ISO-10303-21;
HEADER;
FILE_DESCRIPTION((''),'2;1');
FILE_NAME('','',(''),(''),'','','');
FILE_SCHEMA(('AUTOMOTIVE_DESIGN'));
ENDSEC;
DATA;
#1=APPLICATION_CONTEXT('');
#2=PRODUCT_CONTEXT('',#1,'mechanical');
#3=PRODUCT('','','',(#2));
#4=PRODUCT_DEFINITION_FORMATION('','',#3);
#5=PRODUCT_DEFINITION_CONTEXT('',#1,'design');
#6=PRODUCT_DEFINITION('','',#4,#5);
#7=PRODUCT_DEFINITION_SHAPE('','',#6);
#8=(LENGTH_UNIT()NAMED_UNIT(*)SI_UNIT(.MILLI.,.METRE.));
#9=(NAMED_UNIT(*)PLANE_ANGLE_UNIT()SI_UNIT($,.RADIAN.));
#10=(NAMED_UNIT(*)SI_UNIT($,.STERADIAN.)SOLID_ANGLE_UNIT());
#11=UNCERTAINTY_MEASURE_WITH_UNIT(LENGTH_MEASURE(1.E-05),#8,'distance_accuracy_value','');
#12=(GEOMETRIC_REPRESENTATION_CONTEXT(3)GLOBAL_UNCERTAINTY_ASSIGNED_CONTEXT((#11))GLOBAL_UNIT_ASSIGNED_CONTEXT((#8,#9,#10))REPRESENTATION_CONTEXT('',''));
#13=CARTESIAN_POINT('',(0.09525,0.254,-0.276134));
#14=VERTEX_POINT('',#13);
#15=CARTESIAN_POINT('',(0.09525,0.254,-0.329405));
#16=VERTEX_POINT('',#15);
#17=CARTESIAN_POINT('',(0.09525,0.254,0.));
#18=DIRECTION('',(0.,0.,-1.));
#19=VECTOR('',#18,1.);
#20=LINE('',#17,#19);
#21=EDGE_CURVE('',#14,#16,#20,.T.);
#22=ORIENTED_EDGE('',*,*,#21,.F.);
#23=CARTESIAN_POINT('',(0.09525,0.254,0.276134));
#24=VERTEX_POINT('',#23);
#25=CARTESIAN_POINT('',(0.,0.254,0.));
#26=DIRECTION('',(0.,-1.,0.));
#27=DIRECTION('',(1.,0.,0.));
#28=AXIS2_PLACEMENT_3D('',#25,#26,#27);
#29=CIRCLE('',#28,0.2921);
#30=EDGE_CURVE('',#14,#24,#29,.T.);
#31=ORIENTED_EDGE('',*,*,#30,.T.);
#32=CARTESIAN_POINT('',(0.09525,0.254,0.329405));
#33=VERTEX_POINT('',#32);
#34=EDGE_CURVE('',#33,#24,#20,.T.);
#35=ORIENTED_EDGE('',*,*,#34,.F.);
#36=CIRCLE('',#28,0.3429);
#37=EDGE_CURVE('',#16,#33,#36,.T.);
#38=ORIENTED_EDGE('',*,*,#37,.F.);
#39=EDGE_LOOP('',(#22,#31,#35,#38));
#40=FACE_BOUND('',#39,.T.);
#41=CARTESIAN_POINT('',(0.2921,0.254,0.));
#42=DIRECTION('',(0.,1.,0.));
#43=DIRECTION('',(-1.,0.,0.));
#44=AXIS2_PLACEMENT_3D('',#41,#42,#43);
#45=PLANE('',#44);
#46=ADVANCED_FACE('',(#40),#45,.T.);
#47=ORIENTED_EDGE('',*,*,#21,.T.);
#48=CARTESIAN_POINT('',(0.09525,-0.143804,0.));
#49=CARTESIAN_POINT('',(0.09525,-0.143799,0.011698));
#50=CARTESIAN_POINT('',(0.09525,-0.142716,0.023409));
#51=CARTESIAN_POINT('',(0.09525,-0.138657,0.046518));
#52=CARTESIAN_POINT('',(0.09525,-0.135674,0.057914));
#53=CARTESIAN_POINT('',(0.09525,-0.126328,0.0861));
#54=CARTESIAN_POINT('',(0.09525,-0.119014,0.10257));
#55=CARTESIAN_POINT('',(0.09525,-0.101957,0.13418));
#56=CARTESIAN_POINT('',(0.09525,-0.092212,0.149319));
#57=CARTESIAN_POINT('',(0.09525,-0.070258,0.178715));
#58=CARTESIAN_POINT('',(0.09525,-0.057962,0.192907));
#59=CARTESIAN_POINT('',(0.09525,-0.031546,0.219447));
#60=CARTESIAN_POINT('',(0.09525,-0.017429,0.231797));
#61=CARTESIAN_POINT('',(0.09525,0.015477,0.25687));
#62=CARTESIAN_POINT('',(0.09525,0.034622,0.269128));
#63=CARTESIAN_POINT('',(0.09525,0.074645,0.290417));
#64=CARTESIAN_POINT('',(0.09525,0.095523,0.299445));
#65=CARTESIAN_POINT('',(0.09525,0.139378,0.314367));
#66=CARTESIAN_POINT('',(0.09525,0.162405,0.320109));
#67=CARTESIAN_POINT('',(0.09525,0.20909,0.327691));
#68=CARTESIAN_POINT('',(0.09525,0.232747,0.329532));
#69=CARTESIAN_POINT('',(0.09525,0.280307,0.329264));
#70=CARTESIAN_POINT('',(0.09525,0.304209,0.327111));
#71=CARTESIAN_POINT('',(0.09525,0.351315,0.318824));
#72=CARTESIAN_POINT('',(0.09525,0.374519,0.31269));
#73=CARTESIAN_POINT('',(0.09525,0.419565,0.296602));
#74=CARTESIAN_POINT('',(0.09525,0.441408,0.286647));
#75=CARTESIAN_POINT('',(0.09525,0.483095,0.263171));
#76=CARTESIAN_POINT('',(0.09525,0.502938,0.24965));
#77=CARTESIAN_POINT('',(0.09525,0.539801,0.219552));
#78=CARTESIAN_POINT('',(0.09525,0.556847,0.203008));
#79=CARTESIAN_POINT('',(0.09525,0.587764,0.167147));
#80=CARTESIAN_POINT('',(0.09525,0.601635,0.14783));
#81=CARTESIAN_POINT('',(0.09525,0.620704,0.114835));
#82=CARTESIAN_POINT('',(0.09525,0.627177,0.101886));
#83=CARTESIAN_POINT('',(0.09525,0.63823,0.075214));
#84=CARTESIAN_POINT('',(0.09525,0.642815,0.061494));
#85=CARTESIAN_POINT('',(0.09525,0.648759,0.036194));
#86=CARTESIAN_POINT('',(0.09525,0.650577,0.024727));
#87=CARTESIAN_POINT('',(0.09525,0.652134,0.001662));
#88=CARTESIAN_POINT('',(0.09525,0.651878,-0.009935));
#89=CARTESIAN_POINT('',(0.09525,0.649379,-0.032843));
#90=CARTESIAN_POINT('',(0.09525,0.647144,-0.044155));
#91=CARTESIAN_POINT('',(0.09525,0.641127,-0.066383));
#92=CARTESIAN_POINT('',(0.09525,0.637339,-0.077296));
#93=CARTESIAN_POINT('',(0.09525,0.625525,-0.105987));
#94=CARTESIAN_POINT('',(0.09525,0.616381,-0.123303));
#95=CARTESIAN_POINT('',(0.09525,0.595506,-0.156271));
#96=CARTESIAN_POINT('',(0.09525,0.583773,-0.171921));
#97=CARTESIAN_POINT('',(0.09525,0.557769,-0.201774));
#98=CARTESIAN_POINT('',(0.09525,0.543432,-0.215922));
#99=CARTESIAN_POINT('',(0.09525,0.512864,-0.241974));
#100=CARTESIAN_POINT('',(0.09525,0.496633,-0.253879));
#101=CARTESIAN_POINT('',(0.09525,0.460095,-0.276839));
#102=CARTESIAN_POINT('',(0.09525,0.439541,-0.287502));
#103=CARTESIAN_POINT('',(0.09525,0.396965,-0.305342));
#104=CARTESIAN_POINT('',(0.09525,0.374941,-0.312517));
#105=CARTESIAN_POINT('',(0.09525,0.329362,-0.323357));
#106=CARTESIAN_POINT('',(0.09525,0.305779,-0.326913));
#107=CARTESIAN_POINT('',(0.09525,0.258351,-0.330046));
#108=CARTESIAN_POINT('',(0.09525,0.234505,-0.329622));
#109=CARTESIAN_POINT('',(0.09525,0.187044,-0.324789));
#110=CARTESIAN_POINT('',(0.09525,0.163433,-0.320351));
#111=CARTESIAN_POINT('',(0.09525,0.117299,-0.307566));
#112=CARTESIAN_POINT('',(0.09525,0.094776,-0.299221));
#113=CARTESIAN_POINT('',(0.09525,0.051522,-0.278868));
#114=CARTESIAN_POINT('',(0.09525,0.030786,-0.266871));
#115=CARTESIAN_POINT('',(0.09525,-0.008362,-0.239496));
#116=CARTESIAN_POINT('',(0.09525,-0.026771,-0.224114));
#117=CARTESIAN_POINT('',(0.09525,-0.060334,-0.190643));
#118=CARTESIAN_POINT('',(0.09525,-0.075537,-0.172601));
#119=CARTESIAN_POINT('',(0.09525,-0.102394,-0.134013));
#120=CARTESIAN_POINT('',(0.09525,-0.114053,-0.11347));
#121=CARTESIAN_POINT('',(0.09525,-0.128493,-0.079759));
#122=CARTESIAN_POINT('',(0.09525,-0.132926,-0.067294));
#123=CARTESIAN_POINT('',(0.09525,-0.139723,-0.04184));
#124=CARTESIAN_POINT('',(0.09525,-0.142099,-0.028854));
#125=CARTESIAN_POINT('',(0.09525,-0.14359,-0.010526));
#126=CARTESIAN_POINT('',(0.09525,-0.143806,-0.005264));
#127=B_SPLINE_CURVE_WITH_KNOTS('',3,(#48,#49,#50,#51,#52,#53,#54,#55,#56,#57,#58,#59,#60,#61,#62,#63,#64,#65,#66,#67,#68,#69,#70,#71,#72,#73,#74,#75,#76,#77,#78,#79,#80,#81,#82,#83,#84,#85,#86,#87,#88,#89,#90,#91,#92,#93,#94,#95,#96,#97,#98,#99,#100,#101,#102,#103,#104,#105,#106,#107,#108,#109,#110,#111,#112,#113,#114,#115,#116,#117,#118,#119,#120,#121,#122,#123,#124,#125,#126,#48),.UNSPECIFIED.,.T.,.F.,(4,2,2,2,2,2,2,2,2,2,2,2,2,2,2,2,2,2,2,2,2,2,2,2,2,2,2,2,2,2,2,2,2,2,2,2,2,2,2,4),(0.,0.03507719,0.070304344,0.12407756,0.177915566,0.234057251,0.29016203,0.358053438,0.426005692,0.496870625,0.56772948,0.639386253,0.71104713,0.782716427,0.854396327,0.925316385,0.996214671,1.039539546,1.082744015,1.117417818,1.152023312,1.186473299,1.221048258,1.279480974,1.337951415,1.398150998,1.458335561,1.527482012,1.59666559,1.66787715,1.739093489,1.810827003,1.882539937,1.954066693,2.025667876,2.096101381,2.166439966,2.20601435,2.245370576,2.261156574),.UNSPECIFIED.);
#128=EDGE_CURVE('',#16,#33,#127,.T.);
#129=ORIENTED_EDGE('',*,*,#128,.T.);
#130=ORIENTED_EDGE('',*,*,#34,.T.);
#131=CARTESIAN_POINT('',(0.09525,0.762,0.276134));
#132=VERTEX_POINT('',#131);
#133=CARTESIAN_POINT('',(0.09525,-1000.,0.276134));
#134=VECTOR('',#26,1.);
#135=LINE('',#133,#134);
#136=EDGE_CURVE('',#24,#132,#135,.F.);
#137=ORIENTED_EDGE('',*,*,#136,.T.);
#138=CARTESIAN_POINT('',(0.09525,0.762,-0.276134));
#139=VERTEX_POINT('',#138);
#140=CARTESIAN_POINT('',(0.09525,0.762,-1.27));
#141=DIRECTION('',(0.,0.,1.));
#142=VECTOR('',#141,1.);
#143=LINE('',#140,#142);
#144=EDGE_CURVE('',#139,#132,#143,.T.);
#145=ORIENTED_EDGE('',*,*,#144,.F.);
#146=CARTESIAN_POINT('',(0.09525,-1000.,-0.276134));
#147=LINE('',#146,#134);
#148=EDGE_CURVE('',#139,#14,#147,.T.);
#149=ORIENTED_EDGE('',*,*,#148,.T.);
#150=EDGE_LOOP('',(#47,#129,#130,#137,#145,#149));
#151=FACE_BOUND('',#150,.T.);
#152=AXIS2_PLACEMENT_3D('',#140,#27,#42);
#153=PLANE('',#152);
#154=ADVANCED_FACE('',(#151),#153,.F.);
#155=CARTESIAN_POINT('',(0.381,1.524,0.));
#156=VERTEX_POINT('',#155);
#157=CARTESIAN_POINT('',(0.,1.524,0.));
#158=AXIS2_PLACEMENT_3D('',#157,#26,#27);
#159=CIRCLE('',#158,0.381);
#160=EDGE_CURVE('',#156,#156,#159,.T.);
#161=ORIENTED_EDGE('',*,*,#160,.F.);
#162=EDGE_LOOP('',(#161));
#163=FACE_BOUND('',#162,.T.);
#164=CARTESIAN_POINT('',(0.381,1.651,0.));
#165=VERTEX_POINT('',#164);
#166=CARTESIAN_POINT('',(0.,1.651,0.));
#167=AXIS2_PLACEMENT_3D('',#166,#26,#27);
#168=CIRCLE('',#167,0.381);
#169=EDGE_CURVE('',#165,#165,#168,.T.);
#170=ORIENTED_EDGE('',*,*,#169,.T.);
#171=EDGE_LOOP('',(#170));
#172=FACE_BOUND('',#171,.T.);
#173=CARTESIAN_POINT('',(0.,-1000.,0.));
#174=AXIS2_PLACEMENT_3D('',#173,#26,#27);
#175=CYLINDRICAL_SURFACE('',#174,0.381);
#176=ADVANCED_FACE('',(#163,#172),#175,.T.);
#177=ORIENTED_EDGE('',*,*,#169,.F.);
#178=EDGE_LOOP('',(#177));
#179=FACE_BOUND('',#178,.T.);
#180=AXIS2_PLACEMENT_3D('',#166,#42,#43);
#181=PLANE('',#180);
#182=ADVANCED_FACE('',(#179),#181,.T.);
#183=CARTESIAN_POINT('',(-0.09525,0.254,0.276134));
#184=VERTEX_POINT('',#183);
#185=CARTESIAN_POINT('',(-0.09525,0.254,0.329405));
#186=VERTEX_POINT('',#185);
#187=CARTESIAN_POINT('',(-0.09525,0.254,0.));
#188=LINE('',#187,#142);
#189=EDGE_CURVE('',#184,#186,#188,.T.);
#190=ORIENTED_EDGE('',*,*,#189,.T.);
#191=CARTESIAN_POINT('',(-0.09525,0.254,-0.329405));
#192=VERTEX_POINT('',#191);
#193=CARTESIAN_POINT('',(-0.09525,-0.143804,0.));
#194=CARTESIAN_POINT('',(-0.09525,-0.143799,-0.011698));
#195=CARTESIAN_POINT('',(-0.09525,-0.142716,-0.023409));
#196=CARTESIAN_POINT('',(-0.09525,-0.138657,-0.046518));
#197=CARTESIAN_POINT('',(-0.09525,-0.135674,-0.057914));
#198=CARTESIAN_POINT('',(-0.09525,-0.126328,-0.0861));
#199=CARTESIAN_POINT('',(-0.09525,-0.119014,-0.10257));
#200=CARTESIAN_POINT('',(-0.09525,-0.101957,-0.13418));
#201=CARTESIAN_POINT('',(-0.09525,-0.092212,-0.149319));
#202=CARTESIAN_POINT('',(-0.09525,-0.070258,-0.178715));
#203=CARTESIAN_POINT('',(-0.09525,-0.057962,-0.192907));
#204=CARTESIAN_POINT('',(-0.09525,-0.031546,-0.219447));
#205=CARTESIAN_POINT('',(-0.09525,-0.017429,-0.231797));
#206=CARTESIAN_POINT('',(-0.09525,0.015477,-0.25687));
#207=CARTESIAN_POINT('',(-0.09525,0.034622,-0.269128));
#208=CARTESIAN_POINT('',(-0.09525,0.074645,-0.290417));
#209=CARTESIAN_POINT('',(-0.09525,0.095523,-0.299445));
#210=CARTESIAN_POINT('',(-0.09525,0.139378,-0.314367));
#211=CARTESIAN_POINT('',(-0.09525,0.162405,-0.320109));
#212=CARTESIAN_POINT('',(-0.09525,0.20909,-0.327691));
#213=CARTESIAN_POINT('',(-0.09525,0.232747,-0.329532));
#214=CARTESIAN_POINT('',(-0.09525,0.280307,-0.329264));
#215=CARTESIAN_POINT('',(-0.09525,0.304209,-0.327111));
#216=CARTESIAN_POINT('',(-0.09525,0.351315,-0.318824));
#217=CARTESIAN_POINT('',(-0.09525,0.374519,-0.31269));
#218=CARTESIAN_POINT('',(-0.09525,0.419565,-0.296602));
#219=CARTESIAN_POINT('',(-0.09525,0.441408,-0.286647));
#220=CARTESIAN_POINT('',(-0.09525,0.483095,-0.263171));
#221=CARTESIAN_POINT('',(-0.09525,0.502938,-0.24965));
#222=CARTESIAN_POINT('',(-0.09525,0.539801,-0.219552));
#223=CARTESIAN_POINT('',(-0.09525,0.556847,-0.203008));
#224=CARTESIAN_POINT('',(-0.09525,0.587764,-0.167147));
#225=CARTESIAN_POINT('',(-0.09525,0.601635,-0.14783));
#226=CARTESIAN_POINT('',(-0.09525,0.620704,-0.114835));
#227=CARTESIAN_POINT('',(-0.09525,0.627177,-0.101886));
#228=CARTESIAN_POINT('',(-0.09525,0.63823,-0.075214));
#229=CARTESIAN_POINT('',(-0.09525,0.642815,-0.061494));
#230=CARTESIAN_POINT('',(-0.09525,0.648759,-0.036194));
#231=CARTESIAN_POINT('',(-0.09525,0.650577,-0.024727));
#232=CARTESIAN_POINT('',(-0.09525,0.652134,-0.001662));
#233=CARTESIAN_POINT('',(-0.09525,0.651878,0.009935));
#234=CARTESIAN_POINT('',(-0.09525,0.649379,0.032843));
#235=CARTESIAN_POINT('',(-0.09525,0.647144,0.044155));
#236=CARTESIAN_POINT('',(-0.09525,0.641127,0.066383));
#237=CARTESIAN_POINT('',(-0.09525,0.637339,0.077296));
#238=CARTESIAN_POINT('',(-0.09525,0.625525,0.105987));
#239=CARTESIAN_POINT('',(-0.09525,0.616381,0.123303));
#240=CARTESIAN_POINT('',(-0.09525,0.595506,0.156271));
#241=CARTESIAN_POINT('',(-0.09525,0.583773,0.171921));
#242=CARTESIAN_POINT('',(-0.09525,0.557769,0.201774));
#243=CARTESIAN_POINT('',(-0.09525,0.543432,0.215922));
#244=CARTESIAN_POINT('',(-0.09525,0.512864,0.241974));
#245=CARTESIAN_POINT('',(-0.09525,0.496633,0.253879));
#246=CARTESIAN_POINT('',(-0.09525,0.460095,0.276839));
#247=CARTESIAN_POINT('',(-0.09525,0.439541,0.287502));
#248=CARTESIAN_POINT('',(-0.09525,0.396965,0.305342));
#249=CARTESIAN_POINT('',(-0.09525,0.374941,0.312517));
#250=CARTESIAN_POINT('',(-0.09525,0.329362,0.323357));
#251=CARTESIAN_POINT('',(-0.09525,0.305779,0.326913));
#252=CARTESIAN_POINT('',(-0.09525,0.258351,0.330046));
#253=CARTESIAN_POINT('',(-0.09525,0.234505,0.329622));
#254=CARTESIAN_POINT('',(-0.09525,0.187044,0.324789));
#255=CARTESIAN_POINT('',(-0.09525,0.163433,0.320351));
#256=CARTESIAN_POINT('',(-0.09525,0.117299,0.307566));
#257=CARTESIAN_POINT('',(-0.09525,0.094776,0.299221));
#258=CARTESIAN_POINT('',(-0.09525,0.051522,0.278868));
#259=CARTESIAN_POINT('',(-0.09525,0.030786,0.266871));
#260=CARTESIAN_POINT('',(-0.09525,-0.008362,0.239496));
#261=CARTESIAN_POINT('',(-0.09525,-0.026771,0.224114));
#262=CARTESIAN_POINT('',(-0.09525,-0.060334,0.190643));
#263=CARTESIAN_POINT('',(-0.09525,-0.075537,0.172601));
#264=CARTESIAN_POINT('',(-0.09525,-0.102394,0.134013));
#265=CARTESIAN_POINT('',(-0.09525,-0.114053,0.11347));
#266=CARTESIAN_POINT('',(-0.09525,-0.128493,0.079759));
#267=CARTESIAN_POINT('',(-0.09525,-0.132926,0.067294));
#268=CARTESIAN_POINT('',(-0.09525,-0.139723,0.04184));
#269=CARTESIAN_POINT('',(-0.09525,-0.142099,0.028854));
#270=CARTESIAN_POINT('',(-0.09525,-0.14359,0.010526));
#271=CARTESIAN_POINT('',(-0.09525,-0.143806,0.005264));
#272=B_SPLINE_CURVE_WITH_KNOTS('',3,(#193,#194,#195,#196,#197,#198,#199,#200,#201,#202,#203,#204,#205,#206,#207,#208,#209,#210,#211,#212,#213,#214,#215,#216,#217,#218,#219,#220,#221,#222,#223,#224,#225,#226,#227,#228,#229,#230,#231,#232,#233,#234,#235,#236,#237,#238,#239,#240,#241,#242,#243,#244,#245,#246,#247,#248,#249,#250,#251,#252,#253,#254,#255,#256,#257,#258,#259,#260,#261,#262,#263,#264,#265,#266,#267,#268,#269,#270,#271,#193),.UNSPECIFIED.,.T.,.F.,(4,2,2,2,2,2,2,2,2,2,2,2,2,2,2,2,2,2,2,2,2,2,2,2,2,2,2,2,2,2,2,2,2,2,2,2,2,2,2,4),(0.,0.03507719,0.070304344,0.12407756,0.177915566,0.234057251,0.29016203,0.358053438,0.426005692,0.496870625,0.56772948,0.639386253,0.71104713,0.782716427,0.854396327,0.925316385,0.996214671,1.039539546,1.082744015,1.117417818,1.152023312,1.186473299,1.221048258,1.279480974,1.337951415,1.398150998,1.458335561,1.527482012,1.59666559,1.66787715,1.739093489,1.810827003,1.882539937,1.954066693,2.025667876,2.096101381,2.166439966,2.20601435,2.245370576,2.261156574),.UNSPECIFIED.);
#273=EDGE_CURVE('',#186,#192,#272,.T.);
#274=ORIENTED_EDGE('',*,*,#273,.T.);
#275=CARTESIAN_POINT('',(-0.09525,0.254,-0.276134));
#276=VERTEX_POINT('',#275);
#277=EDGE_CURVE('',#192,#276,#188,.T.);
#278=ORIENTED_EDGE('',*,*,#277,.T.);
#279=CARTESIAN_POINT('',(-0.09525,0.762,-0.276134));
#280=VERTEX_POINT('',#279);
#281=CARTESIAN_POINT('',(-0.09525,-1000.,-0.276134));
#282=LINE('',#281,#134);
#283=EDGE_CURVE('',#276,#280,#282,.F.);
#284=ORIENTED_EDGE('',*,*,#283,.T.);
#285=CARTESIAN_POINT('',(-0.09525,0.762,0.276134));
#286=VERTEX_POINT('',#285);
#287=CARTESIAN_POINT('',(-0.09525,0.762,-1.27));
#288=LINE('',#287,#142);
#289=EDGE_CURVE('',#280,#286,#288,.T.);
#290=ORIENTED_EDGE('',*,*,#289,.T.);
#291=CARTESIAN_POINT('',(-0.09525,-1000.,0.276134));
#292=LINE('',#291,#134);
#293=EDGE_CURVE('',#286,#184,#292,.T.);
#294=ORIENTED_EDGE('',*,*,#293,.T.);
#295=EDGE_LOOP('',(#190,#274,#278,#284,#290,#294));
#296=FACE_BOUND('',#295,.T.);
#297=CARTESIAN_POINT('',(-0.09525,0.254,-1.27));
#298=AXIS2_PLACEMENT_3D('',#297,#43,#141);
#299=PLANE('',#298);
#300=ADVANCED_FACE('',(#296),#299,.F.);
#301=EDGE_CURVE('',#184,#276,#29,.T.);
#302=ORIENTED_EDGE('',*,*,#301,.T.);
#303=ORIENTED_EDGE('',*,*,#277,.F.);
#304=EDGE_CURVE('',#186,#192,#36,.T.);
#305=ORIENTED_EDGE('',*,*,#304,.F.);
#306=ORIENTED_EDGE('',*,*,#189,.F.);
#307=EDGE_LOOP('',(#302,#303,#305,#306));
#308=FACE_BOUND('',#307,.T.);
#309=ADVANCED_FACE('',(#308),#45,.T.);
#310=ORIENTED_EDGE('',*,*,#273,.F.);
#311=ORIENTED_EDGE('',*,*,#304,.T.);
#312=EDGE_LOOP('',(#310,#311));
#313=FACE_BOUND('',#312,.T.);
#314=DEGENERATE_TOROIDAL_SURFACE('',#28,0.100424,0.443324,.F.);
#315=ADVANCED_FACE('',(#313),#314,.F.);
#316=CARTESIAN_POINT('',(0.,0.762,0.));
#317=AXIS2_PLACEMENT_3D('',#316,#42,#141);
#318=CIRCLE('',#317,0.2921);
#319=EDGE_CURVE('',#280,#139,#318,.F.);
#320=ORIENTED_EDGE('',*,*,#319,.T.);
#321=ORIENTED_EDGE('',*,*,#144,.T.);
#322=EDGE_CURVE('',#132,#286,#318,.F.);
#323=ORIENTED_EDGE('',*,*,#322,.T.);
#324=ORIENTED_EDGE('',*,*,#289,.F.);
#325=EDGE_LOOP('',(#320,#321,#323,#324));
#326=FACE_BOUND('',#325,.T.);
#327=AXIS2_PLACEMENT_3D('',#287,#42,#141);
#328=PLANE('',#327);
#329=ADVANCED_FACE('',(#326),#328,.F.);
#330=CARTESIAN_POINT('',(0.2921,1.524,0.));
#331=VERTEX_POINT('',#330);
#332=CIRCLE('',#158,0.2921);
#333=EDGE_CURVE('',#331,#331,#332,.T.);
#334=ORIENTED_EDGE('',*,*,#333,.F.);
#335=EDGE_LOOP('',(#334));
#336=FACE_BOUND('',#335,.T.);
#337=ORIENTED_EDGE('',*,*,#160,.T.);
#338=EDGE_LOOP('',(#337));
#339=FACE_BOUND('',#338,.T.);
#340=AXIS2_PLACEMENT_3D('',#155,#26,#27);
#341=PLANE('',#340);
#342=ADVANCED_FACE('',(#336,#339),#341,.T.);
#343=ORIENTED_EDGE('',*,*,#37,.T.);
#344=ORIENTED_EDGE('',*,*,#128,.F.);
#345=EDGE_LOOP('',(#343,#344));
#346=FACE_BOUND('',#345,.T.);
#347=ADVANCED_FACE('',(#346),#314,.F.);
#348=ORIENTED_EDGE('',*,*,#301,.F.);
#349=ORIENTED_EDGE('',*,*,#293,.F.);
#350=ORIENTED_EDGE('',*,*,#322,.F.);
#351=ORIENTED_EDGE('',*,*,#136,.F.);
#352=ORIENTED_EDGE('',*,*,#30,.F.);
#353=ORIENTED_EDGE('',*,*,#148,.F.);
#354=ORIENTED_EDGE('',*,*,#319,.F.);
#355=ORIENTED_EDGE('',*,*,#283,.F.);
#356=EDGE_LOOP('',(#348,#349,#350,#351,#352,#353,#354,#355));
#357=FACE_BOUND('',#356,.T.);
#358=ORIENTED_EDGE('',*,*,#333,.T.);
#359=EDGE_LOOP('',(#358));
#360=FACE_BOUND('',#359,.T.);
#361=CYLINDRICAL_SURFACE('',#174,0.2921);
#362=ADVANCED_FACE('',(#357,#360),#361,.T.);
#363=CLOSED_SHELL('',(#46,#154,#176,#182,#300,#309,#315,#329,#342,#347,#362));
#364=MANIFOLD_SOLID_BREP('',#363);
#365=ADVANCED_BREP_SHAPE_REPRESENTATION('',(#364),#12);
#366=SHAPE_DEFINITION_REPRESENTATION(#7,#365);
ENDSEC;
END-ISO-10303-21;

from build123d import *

# Parameters (mm, degrees)
CUT_EXTRUDE11_DEPTH = 1.27


with BuildPart() as part:
    # Sketch1 → Revolve1 (revolve)
    with BuildSketch(Plane.XY):
        with BuildLine():
            Line((0, 0), (0, 1.651))
            Line((0, 1.651), (0.381, 1.651))
            Line((0.381, 1.651), (0.381, 1.524))
            Line((0.381, 1.524), (0.2921, 1.524))
            Line((0.2921, 1.524), (0.2921, 0.254))
            Line((0.2921, 0.254), (0.3429, 0.254))
            ThreePointArc((0.3429, 0.254), (0.246747817, -0.021695325), (0, -0.1778))
            Line((0, -0.1778), (0, 0))
        make_face()
    revolve(axis=Axis((0, -1000, 0), (0, 1, 0)))

    # Sketch4 → Cut-Extrude11 (cut, symmetric)
    with BuildSketch(Plane.XY):
        Polygon((-0.09525, 0.254), (-0.09525, 0.762), (0.09525, 0.762), (0.09525, -0.3302), (-0.09525, -0.3302), align=None)
    extrude(amount=CUT_EXTRUDE11_DEPTH, both=True, mode=Mode.SUBTRACT)


solid = part.part
